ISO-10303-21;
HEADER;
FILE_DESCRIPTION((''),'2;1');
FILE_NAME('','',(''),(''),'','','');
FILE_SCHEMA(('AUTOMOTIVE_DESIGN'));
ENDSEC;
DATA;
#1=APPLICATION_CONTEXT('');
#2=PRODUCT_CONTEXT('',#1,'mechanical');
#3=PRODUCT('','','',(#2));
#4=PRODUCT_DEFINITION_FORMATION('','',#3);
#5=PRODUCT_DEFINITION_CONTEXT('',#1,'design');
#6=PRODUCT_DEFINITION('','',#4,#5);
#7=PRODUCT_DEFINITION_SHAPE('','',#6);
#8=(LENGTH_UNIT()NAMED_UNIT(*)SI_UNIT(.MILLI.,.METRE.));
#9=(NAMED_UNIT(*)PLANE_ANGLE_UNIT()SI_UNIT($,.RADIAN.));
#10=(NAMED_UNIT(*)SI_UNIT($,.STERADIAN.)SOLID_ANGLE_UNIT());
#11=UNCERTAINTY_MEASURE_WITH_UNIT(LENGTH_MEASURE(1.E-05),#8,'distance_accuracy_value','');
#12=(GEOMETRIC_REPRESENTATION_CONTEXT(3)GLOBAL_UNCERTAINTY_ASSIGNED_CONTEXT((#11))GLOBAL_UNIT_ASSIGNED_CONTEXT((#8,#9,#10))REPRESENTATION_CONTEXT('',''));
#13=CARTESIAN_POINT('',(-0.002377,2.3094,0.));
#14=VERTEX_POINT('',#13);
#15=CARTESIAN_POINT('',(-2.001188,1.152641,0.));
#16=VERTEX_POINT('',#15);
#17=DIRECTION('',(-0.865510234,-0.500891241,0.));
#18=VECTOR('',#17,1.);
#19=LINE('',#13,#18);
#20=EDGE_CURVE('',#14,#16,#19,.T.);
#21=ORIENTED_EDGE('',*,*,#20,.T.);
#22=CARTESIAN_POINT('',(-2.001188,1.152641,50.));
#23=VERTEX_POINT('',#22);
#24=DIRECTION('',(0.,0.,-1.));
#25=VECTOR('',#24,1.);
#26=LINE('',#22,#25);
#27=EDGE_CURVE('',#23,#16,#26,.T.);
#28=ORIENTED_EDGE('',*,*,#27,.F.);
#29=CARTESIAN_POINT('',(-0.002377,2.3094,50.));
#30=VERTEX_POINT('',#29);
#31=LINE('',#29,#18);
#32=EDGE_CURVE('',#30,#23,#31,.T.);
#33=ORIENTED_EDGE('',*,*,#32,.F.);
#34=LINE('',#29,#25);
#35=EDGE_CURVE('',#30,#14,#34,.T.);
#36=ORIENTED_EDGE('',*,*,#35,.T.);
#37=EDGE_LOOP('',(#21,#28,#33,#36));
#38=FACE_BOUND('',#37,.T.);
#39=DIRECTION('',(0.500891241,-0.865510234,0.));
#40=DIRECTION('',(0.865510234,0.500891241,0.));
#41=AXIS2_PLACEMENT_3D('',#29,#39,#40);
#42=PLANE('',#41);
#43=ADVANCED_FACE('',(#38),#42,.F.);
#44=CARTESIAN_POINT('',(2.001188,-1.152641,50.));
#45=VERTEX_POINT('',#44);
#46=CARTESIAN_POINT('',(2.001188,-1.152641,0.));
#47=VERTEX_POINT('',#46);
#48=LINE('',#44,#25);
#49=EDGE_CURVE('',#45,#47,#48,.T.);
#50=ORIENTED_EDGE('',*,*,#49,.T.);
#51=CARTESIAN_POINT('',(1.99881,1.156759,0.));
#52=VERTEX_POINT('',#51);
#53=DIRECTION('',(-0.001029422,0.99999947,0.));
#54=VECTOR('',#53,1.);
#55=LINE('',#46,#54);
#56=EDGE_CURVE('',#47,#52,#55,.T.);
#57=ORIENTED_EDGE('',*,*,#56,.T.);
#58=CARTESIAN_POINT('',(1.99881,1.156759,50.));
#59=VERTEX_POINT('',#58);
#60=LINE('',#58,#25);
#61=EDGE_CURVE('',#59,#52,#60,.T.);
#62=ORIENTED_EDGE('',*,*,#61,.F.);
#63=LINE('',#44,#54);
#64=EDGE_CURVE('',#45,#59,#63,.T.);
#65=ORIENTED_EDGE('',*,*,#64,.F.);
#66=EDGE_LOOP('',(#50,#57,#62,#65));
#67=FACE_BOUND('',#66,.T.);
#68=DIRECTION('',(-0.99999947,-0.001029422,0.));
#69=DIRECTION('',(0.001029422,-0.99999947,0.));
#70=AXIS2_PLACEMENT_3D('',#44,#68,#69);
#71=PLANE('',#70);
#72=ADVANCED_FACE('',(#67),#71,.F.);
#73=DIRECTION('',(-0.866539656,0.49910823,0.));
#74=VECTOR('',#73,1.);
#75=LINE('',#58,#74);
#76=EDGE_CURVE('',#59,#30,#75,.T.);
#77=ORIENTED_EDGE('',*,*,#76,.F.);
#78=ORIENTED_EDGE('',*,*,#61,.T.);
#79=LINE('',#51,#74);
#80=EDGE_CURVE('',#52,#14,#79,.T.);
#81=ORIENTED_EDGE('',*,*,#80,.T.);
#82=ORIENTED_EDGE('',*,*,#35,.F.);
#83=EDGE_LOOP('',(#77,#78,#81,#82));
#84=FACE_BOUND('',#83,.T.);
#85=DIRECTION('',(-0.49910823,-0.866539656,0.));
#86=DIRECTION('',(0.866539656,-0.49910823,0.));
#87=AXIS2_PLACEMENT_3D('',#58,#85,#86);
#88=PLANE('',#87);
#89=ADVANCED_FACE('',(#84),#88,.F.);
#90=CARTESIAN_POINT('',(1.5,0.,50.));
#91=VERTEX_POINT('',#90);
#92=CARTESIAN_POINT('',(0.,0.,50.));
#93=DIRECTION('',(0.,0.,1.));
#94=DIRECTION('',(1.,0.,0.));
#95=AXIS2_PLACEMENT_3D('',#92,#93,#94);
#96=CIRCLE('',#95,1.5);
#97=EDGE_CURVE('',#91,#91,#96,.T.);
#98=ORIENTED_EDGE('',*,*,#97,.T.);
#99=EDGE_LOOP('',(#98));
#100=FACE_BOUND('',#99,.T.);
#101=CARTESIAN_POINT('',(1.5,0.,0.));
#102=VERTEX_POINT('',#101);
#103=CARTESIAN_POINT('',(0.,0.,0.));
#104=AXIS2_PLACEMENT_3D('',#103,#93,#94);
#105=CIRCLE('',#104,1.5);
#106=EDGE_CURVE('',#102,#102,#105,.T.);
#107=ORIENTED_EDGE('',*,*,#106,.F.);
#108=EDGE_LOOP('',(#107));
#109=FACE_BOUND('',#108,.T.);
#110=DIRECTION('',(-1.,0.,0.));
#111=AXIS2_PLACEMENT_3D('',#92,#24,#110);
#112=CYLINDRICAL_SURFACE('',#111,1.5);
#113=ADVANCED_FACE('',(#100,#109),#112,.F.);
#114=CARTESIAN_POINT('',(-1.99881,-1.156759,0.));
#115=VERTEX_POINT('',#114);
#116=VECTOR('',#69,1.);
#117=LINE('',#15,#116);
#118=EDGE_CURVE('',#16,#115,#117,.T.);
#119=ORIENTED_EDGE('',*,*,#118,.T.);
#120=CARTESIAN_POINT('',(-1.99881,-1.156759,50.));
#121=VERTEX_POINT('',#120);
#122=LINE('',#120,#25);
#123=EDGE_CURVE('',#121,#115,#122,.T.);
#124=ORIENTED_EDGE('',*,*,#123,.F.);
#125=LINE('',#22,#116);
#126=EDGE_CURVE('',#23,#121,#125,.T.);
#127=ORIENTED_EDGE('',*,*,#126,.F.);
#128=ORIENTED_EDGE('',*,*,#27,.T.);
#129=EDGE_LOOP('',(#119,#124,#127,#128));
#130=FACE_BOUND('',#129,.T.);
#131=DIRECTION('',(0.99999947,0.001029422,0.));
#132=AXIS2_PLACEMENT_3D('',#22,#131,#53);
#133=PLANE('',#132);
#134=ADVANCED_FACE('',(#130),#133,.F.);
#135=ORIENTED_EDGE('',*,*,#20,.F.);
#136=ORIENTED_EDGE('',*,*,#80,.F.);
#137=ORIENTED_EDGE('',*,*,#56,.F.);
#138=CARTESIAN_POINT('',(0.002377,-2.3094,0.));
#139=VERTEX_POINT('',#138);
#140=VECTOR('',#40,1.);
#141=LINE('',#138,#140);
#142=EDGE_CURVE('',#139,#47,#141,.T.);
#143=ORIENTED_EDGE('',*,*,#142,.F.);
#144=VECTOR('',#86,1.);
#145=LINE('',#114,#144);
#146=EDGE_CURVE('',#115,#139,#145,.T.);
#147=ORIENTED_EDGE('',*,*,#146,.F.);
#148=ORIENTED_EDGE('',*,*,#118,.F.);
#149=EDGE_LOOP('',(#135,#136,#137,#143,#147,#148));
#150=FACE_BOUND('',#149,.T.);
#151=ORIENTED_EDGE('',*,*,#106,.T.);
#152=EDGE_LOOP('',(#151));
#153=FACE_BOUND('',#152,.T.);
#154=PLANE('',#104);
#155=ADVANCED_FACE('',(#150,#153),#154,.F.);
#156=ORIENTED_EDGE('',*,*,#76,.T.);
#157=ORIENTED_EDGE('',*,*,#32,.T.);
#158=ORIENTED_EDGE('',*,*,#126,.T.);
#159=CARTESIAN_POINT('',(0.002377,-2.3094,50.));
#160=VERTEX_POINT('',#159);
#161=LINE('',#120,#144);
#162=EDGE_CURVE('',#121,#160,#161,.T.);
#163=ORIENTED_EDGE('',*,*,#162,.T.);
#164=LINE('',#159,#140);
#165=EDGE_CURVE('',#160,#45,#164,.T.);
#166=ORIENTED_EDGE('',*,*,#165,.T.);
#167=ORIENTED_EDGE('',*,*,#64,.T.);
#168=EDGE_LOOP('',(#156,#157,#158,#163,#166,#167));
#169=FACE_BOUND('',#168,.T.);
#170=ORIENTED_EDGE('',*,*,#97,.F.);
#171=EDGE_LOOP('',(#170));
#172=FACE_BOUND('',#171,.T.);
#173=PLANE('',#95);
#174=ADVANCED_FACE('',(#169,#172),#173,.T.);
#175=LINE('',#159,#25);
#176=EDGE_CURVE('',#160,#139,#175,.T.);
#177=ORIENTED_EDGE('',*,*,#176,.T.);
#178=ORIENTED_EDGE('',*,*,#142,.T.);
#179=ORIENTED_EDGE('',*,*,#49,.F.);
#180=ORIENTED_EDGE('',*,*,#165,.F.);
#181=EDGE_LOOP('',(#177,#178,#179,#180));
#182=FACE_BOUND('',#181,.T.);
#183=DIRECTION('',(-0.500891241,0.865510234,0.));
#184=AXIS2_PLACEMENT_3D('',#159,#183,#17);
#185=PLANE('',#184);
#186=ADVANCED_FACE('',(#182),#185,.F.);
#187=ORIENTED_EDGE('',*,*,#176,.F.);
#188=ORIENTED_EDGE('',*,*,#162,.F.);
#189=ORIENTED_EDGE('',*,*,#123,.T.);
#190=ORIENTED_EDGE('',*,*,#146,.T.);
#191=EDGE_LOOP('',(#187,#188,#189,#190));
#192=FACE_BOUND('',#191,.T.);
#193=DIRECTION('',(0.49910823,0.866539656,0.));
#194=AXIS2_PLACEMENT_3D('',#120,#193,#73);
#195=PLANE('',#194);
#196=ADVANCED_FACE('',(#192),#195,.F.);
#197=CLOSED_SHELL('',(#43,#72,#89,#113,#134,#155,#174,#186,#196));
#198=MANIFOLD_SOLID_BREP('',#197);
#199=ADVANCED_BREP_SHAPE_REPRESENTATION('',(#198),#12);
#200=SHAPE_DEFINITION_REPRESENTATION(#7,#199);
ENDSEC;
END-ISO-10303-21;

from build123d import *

# Parameters (mm, degrees)
ESQUISSE1_R        = 1.5
BOSS_EXTRU_1_DEPTH = 50


with BuildPart() as part:
    # Esquisse1 → Boss.-Extru.1 (new body)
    with BuildSketch(Plane.XY):
        Polygon((2.001187614, -1.152641083), (1.998810266, 1.15675877), (-0.002377348, 2.309399853), (-2.001187614, 1.152641083), (-1.998810266, -1.15675877), (0.002377348, -2.309399853), align=None)
        Circle(ESQUISSE1_R, mode=Mode.SUBTRACT)
    extrude(amount=BOSS_EXTRU_1_DEPTH)


solid = part.part
